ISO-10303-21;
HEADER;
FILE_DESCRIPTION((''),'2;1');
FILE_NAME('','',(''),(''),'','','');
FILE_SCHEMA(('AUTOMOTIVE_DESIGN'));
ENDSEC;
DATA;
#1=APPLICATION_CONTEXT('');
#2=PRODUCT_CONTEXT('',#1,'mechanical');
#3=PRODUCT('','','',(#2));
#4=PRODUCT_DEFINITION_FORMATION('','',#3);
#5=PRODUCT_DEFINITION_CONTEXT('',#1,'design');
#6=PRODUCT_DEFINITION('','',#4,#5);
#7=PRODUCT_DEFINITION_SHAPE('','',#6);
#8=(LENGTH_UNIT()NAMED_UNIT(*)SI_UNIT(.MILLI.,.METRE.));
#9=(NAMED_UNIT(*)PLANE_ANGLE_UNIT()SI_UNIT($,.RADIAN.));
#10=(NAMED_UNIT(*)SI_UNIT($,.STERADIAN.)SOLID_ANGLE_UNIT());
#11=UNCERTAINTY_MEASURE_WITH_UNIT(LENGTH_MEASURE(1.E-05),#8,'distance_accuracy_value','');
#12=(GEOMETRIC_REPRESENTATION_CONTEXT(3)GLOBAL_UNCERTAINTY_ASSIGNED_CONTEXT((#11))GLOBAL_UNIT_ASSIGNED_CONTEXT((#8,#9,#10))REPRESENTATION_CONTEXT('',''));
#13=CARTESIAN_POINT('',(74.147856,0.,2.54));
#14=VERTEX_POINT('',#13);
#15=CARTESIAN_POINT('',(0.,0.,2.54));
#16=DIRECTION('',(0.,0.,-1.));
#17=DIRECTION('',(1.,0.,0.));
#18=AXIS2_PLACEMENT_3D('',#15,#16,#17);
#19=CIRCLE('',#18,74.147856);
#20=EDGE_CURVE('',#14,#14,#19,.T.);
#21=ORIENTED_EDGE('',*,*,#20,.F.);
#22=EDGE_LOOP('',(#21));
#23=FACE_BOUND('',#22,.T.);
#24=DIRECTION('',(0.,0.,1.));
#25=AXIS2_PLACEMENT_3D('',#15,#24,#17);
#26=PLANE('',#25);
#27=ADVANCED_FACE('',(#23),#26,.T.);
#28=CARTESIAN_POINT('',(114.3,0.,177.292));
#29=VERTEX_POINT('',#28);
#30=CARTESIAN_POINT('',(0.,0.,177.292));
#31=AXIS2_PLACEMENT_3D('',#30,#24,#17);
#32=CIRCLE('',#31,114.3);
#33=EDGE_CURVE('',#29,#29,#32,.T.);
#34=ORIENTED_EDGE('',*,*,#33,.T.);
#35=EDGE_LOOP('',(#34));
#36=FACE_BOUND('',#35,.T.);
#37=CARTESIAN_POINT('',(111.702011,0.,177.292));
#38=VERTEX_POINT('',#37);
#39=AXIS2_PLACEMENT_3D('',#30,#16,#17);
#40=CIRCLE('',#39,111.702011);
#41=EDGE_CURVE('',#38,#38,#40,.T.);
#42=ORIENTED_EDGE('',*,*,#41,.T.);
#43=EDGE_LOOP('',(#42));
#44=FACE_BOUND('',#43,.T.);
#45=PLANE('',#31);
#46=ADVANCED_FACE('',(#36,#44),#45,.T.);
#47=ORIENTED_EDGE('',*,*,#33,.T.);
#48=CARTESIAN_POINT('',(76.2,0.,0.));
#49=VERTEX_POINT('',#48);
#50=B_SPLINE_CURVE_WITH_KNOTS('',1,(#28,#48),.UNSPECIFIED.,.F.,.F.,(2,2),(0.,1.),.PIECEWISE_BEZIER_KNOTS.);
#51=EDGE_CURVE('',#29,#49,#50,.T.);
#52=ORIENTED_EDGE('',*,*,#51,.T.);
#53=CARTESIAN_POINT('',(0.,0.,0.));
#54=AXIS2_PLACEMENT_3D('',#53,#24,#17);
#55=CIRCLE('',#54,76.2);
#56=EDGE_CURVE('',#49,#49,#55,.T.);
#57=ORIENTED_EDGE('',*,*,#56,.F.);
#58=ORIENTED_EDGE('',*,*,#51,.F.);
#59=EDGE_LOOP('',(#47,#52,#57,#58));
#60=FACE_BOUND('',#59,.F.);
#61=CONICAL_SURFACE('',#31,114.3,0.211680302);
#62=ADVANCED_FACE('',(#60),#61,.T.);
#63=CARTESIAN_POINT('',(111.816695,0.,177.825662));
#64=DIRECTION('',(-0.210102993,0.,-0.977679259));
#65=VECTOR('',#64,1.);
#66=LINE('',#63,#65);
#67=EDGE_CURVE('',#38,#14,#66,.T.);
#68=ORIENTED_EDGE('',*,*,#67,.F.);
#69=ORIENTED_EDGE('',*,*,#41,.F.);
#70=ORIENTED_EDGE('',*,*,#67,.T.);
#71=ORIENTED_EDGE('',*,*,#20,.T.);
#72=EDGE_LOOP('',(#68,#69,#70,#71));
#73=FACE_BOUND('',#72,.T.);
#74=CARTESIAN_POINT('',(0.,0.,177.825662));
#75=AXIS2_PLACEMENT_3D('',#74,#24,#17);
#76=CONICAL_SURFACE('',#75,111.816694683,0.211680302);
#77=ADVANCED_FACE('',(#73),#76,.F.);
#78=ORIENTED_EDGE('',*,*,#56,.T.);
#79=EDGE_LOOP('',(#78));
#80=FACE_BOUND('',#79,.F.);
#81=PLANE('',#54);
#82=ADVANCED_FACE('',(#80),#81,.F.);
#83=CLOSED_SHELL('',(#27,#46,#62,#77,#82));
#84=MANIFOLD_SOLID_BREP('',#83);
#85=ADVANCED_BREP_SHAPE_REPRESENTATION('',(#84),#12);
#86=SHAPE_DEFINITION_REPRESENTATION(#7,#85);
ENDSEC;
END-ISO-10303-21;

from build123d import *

# Parameters (mm, degrees)
F2_R = 114.3
F0_R = 76.2
F4_T = -2.54


with BuildPart() as f3:
    # F2 (on offset) → F3 section 0
    with BuildSketch(Plane.XY.offset(177.292)):
        Circle(F2_R)
    # F0 (on Top) → F3 section 1
    with BuildSketch(Plane.XY):
        Circle(F0_R)
    loft()

    # F4
    f4_openings = [f3.faces().sort_by_distance(p)[0] for p in [
        (0, 0, 177.292),
    ]]
    offset(amount=F4_T, openings=f4_openings, kind=Kind.INTERSECTION)


solid = f3.part
